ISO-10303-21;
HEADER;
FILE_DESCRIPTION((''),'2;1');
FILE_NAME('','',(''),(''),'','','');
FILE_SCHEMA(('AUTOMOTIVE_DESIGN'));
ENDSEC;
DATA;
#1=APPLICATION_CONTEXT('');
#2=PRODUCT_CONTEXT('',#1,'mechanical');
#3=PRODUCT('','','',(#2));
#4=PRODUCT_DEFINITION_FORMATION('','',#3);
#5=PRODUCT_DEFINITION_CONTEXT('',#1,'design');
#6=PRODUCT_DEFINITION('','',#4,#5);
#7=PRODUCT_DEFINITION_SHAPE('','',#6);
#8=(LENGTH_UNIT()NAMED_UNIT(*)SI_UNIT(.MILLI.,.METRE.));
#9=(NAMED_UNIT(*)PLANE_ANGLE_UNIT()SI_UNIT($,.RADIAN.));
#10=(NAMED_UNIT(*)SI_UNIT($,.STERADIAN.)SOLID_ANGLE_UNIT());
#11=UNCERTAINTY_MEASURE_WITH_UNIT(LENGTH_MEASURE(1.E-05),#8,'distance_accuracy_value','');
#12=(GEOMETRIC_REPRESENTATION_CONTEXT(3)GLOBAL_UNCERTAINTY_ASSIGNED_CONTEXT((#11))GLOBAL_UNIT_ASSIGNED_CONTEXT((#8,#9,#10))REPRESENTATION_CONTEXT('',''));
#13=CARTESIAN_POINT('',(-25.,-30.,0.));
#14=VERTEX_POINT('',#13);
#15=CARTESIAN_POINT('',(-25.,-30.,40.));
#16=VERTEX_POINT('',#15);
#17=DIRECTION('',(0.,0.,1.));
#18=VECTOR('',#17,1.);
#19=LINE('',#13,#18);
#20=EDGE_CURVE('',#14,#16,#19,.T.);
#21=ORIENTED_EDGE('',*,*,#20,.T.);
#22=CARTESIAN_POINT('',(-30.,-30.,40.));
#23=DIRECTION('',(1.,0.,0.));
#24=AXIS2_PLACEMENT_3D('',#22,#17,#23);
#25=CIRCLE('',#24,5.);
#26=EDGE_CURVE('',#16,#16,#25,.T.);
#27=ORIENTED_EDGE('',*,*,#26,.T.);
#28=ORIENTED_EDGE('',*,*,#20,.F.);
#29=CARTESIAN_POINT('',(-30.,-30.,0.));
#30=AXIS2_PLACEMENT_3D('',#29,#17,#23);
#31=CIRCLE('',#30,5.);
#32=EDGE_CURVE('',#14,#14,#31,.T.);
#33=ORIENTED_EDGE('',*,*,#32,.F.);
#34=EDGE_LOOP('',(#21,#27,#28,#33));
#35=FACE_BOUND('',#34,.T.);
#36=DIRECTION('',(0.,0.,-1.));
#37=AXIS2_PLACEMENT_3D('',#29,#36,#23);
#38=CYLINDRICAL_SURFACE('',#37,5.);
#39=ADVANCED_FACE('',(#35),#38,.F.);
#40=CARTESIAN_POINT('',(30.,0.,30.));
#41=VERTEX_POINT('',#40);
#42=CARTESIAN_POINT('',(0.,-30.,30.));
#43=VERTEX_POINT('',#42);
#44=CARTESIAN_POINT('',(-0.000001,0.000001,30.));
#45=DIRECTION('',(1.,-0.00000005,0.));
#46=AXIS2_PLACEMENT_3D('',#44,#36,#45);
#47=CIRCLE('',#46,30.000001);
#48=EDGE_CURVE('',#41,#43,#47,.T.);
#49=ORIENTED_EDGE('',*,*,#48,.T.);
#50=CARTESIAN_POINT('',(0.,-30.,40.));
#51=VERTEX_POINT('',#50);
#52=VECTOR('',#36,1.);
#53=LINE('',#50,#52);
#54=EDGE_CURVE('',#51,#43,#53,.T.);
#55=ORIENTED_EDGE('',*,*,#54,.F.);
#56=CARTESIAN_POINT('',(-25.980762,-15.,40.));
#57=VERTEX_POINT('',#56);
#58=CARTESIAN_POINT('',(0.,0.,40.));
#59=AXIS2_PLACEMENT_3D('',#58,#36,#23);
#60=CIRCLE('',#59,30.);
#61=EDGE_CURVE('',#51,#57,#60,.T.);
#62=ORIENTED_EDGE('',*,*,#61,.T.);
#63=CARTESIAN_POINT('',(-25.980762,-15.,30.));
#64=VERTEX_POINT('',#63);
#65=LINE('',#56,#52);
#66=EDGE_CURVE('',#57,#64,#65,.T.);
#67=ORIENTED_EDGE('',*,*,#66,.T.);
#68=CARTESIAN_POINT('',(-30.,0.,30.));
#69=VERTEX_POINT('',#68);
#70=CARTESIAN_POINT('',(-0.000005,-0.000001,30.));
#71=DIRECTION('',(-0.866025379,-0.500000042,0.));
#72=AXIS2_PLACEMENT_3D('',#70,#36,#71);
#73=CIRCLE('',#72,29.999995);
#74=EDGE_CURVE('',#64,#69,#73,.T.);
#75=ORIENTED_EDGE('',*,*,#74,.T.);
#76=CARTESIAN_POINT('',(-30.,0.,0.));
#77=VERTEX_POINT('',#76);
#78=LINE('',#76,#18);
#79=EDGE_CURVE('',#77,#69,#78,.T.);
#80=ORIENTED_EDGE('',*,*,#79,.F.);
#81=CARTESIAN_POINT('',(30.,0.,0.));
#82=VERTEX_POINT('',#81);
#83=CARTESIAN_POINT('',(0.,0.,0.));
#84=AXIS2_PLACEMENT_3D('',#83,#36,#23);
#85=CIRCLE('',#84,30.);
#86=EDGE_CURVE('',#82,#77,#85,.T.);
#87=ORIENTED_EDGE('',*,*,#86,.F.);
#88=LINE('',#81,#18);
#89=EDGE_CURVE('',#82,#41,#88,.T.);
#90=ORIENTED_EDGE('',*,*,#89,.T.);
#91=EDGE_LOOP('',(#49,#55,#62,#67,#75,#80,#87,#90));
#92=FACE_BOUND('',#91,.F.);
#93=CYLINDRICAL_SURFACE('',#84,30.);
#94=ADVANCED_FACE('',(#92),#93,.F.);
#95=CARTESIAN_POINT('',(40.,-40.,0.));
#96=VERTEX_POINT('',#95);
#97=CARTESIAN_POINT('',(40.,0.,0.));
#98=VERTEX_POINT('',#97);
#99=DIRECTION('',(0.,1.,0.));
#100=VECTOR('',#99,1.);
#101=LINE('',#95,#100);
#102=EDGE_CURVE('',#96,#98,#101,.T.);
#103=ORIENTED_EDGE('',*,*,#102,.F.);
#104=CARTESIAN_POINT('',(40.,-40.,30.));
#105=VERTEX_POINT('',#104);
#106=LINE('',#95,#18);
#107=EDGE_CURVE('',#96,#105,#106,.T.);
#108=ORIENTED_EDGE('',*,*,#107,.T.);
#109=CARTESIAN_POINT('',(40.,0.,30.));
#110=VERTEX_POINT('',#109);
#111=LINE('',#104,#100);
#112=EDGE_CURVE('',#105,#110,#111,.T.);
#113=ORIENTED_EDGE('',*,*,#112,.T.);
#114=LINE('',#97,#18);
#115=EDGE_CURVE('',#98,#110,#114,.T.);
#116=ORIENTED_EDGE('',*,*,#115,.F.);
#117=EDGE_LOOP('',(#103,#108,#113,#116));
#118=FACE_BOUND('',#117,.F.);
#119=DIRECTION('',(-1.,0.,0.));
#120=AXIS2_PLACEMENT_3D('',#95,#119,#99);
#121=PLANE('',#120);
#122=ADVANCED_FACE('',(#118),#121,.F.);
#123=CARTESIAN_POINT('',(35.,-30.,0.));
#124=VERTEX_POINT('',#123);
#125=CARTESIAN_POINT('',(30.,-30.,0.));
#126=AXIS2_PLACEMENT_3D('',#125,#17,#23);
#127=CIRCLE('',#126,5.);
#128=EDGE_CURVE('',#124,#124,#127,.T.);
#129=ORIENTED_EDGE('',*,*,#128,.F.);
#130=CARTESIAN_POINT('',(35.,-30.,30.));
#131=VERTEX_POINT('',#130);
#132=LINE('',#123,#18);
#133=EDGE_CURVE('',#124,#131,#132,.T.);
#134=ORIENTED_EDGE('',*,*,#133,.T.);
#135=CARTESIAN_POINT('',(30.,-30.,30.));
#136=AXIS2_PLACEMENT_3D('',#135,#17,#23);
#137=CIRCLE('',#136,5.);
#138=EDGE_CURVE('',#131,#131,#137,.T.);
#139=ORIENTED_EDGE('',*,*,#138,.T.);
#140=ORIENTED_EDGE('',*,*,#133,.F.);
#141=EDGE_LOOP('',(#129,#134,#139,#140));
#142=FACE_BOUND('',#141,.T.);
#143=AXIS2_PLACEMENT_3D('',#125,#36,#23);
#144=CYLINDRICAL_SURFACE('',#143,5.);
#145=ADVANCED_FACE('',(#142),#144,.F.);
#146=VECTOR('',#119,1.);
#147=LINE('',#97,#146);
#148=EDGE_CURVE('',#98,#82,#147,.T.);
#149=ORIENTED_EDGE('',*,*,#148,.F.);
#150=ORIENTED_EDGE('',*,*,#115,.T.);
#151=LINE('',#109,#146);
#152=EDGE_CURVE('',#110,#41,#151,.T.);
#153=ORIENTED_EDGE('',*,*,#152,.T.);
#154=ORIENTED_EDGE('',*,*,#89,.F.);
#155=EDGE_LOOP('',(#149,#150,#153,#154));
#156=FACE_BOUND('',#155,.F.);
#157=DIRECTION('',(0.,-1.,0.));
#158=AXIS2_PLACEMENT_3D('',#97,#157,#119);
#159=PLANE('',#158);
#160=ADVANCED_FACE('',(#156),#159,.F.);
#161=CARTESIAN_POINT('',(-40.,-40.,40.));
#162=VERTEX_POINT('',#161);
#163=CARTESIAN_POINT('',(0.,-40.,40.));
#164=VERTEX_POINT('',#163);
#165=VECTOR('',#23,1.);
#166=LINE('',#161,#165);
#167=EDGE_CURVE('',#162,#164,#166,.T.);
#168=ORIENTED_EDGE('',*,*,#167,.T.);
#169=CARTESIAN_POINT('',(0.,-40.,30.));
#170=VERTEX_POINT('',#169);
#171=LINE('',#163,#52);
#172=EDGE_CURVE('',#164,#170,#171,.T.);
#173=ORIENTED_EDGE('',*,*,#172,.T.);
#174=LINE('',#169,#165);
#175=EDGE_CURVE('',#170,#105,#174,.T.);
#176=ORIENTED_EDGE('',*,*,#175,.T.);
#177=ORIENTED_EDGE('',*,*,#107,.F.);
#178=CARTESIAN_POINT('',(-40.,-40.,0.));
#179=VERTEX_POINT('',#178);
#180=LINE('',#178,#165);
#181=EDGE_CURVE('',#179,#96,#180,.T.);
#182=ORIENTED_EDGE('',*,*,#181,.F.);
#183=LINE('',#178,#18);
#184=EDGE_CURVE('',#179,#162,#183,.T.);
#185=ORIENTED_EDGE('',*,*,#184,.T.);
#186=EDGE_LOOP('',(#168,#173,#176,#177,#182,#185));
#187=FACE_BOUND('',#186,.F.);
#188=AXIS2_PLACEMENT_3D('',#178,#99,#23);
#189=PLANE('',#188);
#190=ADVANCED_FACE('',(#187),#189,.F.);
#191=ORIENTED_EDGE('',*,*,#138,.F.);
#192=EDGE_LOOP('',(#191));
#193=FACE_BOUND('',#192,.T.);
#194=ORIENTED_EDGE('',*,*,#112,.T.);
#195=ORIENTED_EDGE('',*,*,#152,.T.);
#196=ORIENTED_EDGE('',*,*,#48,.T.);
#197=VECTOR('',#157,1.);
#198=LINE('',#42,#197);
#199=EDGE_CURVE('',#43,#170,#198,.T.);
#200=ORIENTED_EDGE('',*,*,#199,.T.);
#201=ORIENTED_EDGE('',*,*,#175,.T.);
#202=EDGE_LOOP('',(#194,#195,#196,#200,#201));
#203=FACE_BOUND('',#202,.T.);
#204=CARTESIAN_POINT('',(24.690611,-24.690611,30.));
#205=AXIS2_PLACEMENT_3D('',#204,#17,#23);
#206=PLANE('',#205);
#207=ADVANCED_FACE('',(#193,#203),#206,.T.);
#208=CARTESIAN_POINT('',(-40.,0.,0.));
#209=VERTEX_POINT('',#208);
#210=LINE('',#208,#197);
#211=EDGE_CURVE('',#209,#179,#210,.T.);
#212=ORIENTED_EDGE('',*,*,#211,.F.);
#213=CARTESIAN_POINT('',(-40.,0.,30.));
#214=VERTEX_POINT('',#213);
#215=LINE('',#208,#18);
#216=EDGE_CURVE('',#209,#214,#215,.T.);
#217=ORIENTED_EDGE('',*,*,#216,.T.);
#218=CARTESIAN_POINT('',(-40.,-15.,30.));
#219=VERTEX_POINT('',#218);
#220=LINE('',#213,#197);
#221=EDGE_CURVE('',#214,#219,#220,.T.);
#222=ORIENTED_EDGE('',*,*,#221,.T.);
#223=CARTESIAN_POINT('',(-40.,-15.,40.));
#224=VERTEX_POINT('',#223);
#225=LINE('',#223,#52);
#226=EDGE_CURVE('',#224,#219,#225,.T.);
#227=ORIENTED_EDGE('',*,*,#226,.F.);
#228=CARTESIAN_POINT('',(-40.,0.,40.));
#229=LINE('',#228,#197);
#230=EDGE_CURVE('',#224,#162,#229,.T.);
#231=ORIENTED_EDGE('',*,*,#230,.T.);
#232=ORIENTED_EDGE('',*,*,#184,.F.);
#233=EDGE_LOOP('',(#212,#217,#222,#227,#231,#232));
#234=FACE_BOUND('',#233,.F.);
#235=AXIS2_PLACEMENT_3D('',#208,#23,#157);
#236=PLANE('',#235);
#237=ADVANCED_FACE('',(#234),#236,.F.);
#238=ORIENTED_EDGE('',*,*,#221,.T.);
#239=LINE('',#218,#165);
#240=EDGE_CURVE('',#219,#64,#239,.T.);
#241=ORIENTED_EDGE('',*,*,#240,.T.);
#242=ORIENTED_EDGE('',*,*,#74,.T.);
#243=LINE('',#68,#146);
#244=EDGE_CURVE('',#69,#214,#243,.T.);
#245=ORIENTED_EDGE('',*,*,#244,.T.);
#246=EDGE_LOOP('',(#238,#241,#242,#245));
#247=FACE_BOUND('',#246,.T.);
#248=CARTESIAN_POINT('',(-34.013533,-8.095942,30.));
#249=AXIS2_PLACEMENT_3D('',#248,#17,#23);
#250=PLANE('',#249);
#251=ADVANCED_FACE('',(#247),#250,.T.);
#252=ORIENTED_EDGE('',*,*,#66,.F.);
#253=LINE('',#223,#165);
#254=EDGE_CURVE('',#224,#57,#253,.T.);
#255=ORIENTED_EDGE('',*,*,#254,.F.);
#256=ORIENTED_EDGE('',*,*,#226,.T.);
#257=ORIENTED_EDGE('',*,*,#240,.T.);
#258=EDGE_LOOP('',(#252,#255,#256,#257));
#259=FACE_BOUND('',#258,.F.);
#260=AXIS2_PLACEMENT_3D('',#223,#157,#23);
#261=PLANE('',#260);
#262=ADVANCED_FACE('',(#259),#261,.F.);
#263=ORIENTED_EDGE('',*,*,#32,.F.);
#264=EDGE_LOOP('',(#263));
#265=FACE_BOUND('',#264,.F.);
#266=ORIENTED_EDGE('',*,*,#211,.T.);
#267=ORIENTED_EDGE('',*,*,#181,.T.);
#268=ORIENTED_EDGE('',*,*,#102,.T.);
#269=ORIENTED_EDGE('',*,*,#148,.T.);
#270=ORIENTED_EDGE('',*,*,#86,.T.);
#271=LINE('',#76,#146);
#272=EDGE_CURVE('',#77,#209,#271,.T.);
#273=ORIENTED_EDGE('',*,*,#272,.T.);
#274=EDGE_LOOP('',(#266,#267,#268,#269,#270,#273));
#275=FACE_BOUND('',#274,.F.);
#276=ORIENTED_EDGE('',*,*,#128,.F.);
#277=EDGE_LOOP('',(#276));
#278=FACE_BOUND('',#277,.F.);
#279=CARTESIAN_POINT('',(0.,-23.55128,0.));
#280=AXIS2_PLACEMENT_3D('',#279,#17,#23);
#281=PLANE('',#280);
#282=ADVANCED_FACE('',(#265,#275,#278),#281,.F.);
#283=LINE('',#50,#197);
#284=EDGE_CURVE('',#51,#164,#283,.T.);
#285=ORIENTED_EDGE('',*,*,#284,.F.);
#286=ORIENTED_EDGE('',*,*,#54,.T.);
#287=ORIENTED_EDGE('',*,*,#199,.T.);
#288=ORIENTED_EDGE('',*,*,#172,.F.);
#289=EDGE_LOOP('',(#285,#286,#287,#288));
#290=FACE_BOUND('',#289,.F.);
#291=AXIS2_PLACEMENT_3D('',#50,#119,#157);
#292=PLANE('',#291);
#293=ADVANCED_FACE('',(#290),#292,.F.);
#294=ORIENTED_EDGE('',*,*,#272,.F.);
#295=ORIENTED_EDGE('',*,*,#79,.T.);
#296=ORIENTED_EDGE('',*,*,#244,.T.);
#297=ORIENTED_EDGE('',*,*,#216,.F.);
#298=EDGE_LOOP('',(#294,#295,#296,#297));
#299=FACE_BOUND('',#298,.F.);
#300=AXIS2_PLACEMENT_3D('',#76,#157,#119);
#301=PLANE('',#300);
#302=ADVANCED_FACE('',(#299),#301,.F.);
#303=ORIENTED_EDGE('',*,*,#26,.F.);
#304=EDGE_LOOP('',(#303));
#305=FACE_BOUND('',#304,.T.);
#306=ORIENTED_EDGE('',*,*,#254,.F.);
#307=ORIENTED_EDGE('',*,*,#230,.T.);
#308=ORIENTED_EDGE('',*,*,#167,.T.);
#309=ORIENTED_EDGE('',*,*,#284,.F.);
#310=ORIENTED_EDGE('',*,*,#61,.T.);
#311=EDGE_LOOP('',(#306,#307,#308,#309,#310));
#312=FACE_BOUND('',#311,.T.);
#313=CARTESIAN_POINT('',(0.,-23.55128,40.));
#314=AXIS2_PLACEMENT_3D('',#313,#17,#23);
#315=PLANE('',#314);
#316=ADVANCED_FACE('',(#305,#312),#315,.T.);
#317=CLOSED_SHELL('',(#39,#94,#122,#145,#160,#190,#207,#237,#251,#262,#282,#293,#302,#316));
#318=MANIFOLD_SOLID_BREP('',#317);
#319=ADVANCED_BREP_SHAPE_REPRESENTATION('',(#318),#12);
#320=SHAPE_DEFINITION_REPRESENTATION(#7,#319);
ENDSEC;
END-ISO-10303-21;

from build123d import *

# Parameters (mm, degrees)
F0_R     = 5
F1_DEPTH = 40
F2_R     = 5
F3_DEPTH = 10


with BuildPart() as f1:
    # F0 (on Top) → F1 (new body)
    with BuildSketch(Plane.XY):
        with BuildLine():
            ThreePointArc((30, 0), (0, -30), (-30, 0))
            Line((-30, 0), (-40, 0))
            Line((-40, 0), (-40, -40))
            Line((-40, -40), (40, -40))
            Line((40, -40), (40, 0))
            Line((40, 0), (30, 0))
        make_face()
        with Locations((-30, -30)):
            Circle(F0_R, mode=Mode.SUBTRACT)
        with Locations((30, -30)):
            Circle(F0_R, mode=Mode.SUBTRACT)
    extrude(amount=F1_DEPTH)

    # F2 (on face) → F3 (cut)
    with BuildSketch(Plane.XY.offset(40)):
        with BuildLine():
            Line((-40, 0), (-40, -15))
            Line((-40, -15), (-25.980762, -15))
            ThreePointArc((-25.980762, -15), (-28.977775, -7.764571), (-30, 0))
            Line((-30, 0), (-40, 0))
        make_face()
        with BuildLine():
            ThreePointArc((30, 0), (21.213203, -21.213203), (0, -30))
            Line((0, -30), (0, -40))
            Line((0, -40), (40, -40))
            Line((40, -40), (40, 0))
            Line((40, 0), (30, 0))
        make_face()
        with Locations((30, -30)):
            Circle(F2_R, mode=Mode.SUBTRACT)
    extrude(amount=-F3_DEPTH, mode=Mode.SUBTRACT)


solid = f1.part
